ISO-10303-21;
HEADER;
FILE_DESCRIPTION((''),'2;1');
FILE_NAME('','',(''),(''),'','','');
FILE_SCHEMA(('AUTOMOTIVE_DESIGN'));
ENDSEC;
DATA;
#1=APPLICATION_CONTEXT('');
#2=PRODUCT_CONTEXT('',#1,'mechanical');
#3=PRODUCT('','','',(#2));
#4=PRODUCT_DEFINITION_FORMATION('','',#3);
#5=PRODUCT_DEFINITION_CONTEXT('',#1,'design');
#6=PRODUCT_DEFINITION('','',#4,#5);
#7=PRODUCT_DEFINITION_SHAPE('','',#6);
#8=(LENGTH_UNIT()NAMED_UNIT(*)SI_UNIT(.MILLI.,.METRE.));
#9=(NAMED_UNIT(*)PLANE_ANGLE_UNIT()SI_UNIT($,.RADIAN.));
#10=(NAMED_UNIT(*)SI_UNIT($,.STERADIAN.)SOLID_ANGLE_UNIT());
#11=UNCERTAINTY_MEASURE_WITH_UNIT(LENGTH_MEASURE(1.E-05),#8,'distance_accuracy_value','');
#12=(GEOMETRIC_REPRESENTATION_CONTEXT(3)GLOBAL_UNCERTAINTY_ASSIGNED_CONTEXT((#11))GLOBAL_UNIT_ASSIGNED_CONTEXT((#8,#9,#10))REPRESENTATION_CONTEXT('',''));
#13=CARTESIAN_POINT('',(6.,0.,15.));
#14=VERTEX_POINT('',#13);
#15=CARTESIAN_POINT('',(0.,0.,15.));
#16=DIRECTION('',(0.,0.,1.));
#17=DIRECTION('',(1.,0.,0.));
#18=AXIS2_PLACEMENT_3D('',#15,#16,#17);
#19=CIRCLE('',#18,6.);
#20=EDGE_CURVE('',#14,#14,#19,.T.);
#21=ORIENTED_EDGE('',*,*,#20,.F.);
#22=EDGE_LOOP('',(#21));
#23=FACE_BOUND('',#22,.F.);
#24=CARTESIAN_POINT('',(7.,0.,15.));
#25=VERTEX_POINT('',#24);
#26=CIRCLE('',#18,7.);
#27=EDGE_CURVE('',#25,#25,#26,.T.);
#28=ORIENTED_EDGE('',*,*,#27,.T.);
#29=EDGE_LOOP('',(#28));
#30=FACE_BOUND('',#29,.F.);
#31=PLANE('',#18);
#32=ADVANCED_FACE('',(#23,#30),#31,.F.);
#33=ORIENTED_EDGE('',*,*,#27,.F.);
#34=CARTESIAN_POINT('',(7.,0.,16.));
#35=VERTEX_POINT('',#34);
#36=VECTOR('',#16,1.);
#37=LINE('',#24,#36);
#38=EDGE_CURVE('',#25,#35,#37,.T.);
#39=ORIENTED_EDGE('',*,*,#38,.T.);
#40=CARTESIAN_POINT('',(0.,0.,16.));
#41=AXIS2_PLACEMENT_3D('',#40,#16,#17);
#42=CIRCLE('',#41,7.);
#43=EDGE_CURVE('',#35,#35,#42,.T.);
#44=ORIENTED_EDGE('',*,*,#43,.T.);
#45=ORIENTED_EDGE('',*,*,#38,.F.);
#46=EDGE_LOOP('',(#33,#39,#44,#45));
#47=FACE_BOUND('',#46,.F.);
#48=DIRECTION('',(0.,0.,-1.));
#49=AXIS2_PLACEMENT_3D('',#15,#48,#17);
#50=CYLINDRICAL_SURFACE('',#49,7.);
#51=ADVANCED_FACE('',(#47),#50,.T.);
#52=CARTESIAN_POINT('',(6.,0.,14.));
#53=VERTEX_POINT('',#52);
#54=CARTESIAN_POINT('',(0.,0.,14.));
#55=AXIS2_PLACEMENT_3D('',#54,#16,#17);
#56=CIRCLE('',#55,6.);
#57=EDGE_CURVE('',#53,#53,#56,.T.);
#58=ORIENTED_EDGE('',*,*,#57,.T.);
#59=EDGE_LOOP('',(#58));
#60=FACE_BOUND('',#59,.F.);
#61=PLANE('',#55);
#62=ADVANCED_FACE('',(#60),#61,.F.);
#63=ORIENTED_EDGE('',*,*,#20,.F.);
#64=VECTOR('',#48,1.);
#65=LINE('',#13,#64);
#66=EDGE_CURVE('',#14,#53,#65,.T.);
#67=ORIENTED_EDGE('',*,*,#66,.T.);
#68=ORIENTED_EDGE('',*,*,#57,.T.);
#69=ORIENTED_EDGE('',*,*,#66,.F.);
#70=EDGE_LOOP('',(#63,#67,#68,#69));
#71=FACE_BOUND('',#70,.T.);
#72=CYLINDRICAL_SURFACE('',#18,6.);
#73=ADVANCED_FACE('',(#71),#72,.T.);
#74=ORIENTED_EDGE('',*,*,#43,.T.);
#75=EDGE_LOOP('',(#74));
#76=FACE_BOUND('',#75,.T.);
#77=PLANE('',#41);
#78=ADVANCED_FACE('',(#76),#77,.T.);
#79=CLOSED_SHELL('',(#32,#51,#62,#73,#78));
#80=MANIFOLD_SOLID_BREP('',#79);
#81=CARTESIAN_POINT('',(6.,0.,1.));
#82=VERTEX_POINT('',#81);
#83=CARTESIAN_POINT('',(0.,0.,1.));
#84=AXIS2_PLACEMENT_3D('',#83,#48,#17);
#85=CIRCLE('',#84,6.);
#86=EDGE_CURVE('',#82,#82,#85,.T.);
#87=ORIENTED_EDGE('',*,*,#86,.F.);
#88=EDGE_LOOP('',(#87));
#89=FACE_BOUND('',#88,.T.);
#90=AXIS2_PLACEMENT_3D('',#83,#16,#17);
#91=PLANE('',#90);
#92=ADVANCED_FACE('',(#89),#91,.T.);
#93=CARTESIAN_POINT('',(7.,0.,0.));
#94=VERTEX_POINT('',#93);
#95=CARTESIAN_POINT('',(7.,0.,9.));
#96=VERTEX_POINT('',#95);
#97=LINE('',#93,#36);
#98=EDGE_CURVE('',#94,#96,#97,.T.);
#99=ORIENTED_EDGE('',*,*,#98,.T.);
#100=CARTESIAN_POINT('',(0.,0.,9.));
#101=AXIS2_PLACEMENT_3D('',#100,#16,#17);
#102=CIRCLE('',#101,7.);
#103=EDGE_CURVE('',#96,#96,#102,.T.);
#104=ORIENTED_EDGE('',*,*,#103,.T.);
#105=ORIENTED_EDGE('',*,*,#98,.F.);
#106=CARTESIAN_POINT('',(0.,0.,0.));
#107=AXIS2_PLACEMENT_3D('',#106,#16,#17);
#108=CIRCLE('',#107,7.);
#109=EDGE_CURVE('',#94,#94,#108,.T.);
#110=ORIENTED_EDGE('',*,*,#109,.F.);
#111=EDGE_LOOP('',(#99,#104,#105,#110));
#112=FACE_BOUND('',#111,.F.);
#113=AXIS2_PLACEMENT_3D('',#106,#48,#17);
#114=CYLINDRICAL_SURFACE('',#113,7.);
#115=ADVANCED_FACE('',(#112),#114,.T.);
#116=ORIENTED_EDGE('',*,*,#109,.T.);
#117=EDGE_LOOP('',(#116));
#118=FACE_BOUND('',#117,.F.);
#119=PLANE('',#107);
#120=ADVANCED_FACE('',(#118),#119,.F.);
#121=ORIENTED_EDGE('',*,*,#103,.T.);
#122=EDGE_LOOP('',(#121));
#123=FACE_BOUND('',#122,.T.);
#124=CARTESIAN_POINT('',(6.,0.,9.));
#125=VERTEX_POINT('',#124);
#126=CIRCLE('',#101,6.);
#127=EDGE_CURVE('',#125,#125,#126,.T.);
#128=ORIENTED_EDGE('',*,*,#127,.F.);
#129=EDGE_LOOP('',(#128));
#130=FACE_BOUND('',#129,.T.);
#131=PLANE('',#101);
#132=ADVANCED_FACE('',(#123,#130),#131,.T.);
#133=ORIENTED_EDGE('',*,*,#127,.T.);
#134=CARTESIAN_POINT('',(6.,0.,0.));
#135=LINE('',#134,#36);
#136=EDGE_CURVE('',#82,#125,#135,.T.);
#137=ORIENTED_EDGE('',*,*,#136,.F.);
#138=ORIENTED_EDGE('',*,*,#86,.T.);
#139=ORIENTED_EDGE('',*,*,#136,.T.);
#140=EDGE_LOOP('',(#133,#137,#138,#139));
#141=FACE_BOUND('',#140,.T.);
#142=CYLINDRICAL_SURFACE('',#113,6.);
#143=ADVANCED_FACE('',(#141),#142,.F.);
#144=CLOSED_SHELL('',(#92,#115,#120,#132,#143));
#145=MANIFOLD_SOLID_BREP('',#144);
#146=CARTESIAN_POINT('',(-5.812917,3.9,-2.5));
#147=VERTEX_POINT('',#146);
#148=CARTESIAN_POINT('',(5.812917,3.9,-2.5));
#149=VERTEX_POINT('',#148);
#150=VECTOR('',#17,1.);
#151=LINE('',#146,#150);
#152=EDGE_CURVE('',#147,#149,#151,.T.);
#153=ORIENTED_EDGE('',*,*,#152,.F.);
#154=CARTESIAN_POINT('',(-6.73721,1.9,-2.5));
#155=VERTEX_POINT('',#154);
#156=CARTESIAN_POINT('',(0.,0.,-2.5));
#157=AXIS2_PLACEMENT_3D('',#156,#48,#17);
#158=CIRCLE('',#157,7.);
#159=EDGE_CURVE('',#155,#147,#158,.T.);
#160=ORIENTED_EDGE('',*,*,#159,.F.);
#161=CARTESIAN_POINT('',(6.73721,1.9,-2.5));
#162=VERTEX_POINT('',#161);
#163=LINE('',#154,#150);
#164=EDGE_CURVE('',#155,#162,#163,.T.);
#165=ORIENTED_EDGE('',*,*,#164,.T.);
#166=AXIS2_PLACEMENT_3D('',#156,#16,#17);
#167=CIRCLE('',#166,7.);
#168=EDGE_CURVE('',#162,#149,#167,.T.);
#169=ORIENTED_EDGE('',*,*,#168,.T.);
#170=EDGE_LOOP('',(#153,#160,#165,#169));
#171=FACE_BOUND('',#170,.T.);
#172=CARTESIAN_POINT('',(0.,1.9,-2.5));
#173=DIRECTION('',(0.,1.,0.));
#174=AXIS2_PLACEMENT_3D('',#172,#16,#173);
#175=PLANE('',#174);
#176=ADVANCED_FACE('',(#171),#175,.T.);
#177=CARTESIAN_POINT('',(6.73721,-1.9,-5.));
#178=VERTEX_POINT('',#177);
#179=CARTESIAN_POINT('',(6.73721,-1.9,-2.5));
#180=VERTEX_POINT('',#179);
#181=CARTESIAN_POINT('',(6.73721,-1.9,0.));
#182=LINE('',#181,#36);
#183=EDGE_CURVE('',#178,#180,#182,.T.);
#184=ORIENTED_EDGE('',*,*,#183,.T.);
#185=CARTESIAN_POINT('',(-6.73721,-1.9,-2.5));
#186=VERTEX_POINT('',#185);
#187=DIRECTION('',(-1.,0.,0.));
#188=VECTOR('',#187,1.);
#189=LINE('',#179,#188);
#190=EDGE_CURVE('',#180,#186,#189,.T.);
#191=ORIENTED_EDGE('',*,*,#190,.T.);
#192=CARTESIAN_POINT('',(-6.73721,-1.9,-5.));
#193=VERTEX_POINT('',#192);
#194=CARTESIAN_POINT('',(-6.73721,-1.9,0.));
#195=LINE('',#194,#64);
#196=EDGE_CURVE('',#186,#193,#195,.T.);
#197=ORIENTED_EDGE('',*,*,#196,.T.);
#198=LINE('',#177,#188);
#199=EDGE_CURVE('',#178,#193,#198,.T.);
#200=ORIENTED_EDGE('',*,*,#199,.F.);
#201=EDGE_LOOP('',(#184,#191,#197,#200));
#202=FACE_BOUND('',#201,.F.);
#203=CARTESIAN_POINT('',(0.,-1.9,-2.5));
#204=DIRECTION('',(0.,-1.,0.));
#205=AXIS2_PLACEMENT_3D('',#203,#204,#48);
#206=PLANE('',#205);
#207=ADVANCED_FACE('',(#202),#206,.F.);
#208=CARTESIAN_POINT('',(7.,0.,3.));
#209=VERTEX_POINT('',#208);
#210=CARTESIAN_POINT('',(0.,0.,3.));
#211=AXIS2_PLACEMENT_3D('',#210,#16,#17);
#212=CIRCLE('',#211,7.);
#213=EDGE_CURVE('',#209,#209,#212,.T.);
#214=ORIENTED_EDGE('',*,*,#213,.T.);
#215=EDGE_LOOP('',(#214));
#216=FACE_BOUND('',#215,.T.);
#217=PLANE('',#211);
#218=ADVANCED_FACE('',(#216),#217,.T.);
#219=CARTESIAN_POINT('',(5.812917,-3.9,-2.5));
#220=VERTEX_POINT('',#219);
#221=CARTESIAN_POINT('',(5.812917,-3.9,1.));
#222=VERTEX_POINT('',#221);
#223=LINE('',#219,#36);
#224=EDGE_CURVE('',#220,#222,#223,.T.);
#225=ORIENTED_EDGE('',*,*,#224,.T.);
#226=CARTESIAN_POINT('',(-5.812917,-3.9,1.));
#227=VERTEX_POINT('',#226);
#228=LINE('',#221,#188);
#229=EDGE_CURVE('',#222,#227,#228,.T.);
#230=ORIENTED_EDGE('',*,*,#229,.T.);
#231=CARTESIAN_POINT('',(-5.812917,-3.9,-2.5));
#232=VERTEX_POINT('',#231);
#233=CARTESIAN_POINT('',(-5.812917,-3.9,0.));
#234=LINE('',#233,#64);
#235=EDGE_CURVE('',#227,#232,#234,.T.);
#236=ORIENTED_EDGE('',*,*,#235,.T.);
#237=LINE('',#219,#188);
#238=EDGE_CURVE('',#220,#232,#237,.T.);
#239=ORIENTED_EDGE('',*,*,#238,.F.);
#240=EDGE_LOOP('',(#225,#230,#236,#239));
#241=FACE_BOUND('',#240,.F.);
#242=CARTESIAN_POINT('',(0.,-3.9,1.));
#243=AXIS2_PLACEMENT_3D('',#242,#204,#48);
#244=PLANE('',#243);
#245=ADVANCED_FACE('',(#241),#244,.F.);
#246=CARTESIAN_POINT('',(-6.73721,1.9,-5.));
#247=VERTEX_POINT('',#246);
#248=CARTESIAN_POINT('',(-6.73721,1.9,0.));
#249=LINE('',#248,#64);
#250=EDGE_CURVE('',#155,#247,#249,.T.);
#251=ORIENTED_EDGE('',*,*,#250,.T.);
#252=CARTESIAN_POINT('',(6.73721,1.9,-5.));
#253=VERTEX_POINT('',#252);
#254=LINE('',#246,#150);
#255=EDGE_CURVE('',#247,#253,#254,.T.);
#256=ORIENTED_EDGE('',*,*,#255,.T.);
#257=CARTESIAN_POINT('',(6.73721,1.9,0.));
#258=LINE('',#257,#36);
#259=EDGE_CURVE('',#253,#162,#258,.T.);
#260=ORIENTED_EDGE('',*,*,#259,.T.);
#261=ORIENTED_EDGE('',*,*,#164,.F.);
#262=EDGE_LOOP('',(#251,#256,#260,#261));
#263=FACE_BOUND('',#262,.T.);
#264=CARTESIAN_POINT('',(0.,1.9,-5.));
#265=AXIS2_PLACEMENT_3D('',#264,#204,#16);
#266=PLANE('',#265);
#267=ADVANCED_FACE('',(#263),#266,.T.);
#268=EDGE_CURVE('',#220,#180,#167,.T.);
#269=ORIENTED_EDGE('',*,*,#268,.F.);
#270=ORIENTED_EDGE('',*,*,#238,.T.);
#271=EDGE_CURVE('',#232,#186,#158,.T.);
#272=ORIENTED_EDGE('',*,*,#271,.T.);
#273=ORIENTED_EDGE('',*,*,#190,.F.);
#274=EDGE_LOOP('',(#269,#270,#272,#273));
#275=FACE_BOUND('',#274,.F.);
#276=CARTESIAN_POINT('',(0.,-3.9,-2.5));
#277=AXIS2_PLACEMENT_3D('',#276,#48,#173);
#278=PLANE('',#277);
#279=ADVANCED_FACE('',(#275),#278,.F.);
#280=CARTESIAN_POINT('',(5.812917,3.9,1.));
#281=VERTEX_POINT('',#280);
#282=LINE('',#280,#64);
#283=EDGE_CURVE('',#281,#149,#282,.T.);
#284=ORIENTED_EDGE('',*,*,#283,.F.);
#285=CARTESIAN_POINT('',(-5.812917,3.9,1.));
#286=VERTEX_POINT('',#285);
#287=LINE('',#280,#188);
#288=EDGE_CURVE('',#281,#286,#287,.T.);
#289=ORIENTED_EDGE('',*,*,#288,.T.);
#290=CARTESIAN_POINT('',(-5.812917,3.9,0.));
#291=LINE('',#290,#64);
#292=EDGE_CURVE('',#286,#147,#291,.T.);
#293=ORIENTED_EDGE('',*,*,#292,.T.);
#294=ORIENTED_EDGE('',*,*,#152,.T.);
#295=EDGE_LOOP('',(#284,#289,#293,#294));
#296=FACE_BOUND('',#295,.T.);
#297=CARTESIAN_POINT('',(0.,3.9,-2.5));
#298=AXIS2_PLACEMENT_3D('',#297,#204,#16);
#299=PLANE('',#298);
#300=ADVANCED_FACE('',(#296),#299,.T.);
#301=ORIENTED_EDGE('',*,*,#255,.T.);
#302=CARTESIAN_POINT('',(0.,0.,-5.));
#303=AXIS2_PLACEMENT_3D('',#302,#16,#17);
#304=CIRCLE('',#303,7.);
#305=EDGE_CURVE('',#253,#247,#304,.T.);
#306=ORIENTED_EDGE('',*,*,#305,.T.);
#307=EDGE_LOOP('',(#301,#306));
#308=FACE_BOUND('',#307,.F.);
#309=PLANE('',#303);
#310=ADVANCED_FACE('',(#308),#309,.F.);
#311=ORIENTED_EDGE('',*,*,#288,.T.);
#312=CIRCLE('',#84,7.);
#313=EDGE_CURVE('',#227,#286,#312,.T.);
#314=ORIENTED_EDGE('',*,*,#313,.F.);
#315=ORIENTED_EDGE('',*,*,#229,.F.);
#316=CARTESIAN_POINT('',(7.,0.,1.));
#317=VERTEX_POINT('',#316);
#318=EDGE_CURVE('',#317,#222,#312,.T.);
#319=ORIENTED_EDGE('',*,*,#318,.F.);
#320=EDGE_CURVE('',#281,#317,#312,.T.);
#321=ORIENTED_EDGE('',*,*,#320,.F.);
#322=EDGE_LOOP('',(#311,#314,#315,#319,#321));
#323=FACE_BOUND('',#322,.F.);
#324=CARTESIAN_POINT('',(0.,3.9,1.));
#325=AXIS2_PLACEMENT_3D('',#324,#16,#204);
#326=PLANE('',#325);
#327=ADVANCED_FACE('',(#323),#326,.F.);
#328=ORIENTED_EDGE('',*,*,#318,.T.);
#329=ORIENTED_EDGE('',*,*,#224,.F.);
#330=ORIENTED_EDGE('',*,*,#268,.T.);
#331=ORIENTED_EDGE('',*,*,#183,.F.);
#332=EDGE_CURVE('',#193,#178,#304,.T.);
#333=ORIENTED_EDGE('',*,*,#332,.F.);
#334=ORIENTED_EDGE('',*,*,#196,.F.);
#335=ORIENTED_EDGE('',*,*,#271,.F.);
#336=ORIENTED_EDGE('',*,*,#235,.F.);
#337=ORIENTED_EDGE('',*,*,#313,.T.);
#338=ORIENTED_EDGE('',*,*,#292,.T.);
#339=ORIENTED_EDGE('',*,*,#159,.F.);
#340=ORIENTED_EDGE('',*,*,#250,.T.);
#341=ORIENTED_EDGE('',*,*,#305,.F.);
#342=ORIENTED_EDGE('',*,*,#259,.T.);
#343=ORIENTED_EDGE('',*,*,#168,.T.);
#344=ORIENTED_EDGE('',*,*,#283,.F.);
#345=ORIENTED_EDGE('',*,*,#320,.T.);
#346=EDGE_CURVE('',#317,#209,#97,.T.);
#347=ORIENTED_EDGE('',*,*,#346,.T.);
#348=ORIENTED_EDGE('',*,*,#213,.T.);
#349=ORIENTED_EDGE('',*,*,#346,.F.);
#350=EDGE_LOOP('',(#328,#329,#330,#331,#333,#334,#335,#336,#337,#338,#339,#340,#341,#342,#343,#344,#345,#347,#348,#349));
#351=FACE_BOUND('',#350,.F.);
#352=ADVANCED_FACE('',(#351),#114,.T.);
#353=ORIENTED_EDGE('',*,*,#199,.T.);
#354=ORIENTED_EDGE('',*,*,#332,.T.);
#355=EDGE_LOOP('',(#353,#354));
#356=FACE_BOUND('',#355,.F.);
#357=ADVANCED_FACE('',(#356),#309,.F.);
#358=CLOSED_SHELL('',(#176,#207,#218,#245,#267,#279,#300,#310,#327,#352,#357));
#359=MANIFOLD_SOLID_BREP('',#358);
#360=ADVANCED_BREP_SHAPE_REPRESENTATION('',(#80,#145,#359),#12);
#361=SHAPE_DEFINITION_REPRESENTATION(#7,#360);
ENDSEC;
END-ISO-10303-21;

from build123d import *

# Parameters (mm, degrees)
F0_R           = 7
F1_DEPTH       = 9
F2_T           = -1
F4_R           = 6
F5_DEPTH       = 1
F4_R_2         = 7
F5_FACE_R      = 6
F6_DEPTH       = 1
F7_DEPTH       = 5
F7_DEPTH_BACK  = 3
F10_DEPTH      = 25
F10_DEPTH_BACK = 25


with BuildPart() as f1:
    # F0 (on Top) → F1 (new body)
    with BuildSketch(Plane.XY):
        Circle(F0_R)
    extrude(amount=F1_DEPTH)

    # F2
    f2_openings = [f1.faces().sort_by_distance(p)[0] for p in [
        (0, 0, 9),
    ]]
    offset(amount=F2_T, openings=f2_openings)


with BuildPart() as f5:
    # F4 (on offset) → F5 (new body)
    with BuildSketch(Plane.XY.offset(15)):
        Circle(F4_R)
    extrude(amount=-F5_DEPTH)

    # F4 (on offset) + F5_face (on face) → F6 (join)
    with BuildSketch(Plane.XY.offset(15)):
        Circle(F4_R_2)
        Circle(F4_R, mode=Mode.SUBTRACT)
    with BuildSketch(Plane.XY.offset(15)):
        Circle(F5_FACE_R)
    extrude(amount=F6_DEPTH)


with BuildPart() as f7:
    # F7 (new, two sides): a face of the model
    f7_faces = [f1.part.faces().sort_by_distance(p)[0] for p in [
        (0, 0, 0),
    ]]
    extrude(f7_faces, amount=F7_DEPTH)
    extrude(f7_faces, amount=-F7_DEPTH_BACK)

    # F9 (on Right) → F10 (cut, two sides)
    with BuildSketch(Plane.YZ) as f10_sk:
        Polygon((3.9, 1), (-3.9, 1), (-3.9, -1.5), (-3.9, -2.5), (-1.9, -2.5), (-1.9, -5), (0, -5), (1.9, -5), (1.9, -2.5), (3.9, -2.5), (3.9, -1.5), align=None)
    extrude(amount=F10_DEPTH, mode=Mode.SUBTRACT)
    extrude(f10_sk.sketch, amount=-F10_DEPTH_BACK, mode=Mode.SUBTRACT)


solid = Compound([f1.part, f5.part, f7.part])
